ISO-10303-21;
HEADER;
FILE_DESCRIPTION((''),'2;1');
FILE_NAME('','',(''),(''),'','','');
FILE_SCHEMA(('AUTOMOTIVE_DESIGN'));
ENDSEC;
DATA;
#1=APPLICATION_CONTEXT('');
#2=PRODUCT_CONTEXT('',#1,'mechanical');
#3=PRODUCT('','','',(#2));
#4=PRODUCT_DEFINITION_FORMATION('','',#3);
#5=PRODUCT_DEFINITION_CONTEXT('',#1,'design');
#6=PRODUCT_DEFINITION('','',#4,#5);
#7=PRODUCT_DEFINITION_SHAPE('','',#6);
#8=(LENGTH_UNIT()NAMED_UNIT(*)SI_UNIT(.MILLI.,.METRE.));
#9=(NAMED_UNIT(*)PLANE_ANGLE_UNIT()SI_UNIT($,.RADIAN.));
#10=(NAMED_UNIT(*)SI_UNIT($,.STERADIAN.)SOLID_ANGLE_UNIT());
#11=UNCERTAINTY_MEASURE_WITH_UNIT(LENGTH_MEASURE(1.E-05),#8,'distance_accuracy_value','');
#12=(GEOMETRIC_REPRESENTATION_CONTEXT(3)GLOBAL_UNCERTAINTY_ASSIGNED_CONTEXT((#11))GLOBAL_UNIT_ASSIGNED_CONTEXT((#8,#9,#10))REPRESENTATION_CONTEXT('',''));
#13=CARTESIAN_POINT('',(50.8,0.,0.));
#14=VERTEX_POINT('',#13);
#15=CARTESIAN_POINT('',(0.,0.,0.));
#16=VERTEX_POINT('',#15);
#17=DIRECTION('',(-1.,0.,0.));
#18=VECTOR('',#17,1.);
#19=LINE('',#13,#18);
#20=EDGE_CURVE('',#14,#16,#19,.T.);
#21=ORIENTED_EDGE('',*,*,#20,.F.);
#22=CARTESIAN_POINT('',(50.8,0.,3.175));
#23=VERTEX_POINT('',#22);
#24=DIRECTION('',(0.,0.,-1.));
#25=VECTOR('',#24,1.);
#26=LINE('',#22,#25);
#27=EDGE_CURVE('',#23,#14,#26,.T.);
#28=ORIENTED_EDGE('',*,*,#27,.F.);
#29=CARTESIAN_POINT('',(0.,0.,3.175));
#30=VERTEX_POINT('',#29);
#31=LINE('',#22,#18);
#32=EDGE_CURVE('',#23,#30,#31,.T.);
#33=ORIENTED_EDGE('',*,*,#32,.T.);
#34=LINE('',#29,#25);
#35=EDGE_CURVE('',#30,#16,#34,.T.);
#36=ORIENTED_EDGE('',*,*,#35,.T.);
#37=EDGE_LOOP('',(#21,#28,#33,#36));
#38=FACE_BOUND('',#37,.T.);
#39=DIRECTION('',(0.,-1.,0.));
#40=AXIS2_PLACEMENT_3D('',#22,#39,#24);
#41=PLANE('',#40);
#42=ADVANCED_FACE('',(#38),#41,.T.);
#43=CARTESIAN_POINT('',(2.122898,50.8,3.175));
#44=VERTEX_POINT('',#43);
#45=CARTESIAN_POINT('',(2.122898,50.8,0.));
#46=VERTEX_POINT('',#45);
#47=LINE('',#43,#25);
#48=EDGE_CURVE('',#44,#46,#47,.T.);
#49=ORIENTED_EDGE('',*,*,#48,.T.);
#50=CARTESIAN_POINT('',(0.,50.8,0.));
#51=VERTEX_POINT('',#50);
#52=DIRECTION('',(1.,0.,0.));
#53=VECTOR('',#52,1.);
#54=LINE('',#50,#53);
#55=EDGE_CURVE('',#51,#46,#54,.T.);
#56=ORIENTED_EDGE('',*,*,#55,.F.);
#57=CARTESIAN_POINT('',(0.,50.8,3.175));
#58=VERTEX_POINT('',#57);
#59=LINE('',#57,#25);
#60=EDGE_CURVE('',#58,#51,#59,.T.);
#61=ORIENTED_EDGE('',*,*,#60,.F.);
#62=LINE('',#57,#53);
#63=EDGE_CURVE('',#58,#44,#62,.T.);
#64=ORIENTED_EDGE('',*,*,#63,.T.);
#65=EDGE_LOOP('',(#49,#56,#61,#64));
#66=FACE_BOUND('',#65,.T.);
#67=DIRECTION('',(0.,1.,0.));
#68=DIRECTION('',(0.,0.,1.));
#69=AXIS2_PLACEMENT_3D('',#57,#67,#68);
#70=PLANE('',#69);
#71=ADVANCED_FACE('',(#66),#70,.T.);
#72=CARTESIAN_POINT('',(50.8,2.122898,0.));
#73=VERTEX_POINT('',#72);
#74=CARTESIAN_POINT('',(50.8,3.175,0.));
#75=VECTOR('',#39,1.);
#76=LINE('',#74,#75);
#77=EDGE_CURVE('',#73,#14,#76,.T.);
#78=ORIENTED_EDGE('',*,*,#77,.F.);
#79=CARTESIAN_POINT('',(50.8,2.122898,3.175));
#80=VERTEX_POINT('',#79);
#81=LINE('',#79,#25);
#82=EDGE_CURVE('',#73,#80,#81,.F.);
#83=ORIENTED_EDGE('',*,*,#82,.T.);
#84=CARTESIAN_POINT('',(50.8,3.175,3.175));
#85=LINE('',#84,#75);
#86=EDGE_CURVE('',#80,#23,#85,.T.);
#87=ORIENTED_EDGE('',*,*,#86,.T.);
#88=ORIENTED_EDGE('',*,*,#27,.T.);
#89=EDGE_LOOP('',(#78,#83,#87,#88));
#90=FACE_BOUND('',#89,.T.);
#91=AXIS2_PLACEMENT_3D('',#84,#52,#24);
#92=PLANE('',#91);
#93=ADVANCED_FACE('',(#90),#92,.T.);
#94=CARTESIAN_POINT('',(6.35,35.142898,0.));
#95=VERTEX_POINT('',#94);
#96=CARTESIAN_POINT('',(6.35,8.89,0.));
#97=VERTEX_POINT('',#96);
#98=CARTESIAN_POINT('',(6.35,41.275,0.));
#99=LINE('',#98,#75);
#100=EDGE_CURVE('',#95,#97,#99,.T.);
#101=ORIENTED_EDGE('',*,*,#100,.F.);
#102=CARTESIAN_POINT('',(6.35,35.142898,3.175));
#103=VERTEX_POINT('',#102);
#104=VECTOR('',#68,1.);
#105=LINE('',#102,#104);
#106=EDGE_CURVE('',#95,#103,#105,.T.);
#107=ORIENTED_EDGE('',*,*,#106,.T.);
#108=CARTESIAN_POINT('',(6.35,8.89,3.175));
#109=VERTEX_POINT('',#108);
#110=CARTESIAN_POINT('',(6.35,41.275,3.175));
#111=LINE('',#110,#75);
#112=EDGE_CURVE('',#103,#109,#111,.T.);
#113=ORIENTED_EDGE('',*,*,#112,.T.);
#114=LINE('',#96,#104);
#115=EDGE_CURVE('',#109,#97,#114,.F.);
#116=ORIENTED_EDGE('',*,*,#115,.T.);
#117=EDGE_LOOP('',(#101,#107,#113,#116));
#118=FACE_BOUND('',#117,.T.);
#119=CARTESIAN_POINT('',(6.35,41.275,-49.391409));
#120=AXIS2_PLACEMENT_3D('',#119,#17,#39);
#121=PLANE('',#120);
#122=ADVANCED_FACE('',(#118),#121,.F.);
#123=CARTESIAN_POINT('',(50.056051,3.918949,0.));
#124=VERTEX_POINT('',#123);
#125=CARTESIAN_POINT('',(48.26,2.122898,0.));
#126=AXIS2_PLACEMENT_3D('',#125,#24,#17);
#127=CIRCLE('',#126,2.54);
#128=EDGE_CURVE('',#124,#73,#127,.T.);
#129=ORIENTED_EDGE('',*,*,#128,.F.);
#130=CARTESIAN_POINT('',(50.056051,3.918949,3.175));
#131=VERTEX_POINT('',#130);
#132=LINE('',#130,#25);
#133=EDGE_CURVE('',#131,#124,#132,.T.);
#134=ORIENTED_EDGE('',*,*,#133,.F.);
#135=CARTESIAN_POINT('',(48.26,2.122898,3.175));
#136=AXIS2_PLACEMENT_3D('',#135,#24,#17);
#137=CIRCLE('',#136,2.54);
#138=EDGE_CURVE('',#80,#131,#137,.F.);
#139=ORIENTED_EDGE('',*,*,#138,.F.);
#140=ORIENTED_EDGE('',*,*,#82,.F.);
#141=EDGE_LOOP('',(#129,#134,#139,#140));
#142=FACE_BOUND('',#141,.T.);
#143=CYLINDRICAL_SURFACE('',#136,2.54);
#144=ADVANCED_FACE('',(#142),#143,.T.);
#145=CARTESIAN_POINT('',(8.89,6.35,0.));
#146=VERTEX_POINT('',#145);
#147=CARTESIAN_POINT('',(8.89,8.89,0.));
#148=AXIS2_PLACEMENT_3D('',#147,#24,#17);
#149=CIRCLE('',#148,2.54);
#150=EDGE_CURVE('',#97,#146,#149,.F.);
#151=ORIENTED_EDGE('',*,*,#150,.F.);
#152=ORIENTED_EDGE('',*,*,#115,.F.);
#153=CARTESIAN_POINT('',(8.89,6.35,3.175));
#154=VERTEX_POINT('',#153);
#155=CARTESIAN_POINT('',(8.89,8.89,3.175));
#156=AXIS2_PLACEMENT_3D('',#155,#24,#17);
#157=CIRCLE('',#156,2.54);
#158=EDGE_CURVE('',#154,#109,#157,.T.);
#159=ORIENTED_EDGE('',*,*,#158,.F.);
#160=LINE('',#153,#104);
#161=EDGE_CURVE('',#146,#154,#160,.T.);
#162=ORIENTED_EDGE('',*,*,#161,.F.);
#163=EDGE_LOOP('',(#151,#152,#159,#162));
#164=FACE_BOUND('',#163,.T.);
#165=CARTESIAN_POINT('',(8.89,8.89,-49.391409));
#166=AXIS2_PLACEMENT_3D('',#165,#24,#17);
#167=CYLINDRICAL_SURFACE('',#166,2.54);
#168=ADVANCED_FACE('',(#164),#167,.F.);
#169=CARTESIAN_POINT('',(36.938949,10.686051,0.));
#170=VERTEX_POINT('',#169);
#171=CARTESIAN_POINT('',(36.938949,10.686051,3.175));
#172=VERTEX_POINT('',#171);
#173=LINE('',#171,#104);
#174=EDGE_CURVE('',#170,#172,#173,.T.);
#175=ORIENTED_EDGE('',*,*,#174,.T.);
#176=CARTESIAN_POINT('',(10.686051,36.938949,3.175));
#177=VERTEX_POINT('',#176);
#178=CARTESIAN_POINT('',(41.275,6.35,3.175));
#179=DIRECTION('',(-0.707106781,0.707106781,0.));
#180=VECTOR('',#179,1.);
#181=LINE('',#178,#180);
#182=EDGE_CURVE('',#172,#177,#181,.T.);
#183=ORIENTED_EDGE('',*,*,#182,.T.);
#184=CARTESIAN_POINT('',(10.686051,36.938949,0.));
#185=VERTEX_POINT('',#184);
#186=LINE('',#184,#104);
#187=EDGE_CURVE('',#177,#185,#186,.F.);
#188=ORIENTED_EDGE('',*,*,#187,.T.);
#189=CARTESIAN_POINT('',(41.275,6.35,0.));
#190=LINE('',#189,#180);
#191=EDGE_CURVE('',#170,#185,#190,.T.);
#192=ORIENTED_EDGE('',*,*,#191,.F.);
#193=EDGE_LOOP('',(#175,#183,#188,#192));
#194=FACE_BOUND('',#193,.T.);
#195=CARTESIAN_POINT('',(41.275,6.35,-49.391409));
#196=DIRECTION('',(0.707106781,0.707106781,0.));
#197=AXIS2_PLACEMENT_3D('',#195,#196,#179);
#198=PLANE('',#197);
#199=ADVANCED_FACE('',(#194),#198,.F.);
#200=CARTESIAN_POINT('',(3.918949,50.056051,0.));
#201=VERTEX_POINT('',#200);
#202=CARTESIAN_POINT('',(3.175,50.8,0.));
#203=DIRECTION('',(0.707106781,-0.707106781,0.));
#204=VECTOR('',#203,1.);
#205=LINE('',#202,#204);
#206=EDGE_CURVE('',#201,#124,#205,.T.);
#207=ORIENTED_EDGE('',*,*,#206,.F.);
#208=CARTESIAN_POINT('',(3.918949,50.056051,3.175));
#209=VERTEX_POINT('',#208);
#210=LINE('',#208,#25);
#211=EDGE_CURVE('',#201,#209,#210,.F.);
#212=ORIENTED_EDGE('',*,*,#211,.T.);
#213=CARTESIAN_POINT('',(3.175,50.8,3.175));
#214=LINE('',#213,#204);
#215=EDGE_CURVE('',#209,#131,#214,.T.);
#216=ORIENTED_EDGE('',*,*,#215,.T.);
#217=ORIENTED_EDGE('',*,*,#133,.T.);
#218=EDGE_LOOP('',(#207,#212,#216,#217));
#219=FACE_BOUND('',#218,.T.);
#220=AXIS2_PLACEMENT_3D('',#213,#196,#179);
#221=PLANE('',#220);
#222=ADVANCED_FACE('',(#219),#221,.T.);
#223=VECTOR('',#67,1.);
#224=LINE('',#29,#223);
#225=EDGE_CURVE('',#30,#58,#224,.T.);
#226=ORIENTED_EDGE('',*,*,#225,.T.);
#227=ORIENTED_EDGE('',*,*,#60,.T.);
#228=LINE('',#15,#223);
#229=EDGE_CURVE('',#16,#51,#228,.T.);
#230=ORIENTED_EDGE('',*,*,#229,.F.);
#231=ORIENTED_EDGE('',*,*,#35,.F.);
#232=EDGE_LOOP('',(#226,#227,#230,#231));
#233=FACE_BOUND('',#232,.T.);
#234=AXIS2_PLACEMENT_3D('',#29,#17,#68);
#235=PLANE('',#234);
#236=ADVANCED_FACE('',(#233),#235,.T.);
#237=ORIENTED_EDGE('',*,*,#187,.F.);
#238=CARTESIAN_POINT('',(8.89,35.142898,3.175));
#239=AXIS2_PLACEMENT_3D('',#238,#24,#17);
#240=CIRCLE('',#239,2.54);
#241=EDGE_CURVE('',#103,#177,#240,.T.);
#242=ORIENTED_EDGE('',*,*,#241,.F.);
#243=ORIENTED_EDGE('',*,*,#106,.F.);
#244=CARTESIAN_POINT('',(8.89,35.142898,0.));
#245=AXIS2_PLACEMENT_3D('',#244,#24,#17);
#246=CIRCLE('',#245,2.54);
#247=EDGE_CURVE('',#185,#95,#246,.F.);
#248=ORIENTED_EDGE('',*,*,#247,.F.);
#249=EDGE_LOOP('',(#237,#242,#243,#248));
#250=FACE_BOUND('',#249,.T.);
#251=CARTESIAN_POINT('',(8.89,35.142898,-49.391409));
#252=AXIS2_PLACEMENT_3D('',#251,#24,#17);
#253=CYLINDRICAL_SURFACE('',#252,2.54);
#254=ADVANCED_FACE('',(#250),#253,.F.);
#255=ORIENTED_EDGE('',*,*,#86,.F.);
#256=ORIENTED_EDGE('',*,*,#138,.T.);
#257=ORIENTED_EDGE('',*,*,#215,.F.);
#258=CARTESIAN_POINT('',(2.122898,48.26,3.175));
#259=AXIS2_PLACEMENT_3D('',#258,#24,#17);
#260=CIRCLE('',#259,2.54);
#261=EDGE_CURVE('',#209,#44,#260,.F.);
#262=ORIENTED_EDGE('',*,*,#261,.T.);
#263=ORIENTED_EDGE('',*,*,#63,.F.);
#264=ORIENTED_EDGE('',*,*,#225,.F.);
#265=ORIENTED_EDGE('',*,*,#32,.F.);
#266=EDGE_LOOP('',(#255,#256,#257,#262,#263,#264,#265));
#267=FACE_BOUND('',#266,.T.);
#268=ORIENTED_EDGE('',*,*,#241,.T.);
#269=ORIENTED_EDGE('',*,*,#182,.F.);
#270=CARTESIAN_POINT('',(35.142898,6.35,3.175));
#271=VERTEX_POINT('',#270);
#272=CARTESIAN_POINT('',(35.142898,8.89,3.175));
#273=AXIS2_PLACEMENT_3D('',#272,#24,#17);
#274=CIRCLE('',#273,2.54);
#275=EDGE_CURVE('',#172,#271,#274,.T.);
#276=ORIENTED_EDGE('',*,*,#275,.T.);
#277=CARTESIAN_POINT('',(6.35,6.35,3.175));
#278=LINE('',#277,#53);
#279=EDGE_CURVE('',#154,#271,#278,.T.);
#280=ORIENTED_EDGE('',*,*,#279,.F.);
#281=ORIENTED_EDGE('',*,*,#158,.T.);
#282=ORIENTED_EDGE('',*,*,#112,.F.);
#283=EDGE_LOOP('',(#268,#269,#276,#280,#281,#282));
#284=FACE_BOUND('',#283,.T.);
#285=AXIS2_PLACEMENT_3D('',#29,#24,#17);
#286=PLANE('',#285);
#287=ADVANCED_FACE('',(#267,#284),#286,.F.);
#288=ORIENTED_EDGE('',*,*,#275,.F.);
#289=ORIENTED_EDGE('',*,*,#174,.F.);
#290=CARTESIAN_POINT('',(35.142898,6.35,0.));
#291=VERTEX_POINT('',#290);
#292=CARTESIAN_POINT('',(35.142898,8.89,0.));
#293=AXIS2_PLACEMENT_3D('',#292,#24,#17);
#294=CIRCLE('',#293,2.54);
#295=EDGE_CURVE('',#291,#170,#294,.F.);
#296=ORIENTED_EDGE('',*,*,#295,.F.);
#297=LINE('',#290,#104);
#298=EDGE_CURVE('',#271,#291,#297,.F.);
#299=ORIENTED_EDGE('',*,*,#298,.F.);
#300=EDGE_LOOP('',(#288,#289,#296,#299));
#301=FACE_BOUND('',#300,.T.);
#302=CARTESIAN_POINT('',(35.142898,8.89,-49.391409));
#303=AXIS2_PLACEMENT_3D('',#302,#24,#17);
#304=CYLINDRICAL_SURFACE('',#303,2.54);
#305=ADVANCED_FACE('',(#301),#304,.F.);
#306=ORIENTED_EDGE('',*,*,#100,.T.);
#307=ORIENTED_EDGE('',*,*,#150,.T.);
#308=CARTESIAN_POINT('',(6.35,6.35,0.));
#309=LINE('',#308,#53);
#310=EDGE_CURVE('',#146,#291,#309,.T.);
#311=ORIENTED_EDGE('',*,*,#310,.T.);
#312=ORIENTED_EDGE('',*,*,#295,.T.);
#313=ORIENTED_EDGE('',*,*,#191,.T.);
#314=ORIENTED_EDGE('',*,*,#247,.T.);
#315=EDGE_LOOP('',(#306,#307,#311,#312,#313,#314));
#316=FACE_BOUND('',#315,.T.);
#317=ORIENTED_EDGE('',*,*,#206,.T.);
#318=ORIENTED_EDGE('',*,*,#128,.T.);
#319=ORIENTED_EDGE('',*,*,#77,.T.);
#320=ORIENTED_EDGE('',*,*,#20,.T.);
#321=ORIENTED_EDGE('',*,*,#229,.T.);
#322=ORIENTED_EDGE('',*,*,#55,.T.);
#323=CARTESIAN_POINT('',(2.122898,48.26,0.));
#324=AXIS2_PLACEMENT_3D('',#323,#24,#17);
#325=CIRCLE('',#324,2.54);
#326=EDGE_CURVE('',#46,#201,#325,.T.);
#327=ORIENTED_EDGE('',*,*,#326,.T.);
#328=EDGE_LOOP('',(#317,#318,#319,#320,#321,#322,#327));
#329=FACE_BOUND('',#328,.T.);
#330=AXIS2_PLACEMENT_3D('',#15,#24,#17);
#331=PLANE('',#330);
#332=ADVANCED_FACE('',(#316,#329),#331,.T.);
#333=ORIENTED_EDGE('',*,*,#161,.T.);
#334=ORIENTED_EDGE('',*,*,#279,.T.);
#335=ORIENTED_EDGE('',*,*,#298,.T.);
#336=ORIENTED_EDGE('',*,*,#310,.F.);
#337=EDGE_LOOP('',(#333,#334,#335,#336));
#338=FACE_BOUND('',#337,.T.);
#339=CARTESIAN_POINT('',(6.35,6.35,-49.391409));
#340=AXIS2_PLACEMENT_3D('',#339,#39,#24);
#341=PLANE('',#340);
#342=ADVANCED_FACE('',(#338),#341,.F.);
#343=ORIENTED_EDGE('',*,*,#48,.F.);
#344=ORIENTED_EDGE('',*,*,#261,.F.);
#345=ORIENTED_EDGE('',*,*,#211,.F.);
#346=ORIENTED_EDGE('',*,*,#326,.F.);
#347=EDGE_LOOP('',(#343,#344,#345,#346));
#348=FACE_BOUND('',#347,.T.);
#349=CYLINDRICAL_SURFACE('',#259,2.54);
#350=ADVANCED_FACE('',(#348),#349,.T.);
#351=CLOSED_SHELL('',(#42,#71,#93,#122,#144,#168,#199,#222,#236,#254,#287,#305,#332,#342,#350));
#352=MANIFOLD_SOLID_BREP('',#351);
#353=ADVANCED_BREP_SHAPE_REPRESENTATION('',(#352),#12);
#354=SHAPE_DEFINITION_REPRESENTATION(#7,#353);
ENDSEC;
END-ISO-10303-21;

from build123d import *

# Parameters (mm, degrees)
BOSS_EXTRUDE1_DEPTH = 3.175
CUT_EXTRUDE1_DEPTH  = 3.175
FILLET4_R           = 2.54
FILLET5_R           = 2.54


with BuildPart() as part:
    # Sketch1 → Boss-Extrude1 (new body)
    with BuildSketch(Plane.XY):
        Polygon((0, 0), (0, 50.8), (3.175, 50.8), (50.8, 3.175), (50.8, 0), align=None)
    extrude(amount=BOSS_EXTRUDE1_DEPTH)

    # Sketch7 → Cut-Extrude1 (cut)
    with BuildSketch(Plane.XY.offset(3.175)):
        Polygon((6.35, 41.275), (6.35, 6.35), (41.275, 6.35), align=None)
    extrude(amount=-CUT_EXTRUDE1_DEPTH, mode=Mode.SUBTRACT)

    # Fillet4
    fillet4_edges = [part.edges().sort_by_distance(p)[0] for p in [
        (50.8, 3.175, 1.5875),
        (3.175, 50.8, 1.5875),
    ]]
    fillet(fillet4_edges, radius=FILLET4_R)

    # Fillet5
    fillet5_edges = [part.edges().sort_by_distance(p)[0] for p in [
        (6.35, 6.35, 1.5875),
        (41.275, 6.35, 1.5875),
        (6.35, 41.275, 1.5875),
    ]]
    fillet(fillet5_edges, radius=FILLET5_R)


solid = part.part
